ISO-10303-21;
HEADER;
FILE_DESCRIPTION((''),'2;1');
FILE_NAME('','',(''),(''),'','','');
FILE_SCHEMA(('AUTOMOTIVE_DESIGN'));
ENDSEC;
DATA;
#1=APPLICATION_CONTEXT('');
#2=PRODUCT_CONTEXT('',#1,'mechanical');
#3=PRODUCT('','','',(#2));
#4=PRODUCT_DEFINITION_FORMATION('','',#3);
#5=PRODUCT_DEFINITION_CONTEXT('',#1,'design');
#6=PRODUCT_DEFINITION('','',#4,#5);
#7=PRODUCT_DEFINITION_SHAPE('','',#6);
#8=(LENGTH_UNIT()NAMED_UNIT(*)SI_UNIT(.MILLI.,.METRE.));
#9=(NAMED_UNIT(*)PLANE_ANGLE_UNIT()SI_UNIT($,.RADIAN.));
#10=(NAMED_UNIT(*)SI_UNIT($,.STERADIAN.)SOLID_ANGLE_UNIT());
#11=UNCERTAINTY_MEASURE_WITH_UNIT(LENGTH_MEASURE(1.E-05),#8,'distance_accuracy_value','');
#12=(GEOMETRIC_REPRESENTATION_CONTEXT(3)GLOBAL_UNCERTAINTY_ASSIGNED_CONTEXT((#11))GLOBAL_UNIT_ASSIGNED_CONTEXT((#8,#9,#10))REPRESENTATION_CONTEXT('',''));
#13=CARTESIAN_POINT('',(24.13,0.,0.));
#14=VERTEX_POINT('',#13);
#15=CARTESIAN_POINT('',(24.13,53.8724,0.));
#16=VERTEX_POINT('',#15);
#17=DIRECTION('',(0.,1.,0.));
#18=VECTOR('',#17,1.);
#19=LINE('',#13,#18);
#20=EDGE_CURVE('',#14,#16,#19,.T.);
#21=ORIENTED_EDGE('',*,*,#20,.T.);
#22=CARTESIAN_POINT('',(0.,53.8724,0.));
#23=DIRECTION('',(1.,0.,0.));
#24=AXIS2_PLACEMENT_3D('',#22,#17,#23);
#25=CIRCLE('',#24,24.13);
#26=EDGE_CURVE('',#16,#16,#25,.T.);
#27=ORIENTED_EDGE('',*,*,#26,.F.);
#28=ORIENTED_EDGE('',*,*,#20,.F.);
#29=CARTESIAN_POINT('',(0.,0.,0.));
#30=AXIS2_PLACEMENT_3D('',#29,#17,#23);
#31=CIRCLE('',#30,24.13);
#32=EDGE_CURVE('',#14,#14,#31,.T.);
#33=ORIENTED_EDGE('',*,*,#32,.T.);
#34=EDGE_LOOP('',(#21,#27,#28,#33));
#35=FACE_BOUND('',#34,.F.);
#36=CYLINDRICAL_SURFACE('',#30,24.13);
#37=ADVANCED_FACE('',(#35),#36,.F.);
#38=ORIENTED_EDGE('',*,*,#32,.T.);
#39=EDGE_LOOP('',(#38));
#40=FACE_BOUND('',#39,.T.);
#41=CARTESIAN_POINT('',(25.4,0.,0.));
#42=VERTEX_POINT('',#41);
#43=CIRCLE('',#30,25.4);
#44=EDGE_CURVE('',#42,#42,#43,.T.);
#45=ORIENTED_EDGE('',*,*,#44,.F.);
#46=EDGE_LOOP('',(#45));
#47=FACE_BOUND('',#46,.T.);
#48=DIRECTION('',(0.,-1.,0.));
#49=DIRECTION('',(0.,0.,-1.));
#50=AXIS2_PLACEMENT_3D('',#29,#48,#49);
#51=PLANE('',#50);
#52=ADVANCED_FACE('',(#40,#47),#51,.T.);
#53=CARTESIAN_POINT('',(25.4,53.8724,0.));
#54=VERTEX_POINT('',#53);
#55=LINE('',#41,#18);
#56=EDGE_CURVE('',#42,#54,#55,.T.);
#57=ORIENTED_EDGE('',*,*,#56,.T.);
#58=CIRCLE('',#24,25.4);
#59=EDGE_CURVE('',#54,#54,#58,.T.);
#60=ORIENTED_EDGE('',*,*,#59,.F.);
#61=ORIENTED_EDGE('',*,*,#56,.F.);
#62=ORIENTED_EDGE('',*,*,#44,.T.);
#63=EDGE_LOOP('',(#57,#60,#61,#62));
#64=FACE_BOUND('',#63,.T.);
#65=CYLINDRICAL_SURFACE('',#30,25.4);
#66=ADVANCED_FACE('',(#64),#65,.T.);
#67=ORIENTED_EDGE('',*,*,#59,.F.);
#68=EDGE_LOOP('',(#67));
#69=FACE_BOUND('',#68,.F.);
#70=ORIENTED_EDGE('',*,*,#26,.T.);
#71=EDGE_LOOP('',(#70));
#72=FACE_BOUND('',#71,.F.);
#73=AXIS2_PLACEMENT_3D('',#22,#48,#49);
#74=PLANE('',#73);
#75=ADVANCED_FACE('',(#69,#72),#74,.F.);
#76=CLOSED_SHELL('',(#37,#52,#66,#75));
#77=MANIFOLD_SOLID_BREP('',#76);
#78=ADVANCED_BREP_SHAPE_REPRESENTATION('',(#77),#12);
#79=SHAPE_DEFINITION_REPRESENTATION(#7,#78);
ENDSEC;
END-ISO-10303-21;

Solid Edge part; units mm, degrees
sketch "Sketch1" plane through (0, 0, 0) normal (1, 0, 0) x (0, 1, 0)
  line L0 (0, 0) -> (53.8724, 0)
sketch "Sketch2" plane through (0, 0, 0) normal (0, -1, 0) x (1, 0, 0)
  circle A0 centre (0, 0) radius 25.4
  dimension "D1" = 50.8
  dimension "D2" = 1.27
sweep "SweptProtrusion_1" add profiles "Sketch2" path "Sketch1"
sketch "Sketch3" plane through (0, 0, 0) normal (1, 0, 0) x (0, 1, 0)
  line L0 (0, 0) -> (53.8724, 0)
sketch "Sketch4" plane through (0, 0, 0) normal (0, -1, 0) x (1, 0, 0)
  circle A0 centre (0, 0) radius 24.13
  dimension "D1" = 50.8
  dimension "D2" = 1.27
sweep "SweptCutout_1" cut profiles "Sketch4" path "Sketch3"
